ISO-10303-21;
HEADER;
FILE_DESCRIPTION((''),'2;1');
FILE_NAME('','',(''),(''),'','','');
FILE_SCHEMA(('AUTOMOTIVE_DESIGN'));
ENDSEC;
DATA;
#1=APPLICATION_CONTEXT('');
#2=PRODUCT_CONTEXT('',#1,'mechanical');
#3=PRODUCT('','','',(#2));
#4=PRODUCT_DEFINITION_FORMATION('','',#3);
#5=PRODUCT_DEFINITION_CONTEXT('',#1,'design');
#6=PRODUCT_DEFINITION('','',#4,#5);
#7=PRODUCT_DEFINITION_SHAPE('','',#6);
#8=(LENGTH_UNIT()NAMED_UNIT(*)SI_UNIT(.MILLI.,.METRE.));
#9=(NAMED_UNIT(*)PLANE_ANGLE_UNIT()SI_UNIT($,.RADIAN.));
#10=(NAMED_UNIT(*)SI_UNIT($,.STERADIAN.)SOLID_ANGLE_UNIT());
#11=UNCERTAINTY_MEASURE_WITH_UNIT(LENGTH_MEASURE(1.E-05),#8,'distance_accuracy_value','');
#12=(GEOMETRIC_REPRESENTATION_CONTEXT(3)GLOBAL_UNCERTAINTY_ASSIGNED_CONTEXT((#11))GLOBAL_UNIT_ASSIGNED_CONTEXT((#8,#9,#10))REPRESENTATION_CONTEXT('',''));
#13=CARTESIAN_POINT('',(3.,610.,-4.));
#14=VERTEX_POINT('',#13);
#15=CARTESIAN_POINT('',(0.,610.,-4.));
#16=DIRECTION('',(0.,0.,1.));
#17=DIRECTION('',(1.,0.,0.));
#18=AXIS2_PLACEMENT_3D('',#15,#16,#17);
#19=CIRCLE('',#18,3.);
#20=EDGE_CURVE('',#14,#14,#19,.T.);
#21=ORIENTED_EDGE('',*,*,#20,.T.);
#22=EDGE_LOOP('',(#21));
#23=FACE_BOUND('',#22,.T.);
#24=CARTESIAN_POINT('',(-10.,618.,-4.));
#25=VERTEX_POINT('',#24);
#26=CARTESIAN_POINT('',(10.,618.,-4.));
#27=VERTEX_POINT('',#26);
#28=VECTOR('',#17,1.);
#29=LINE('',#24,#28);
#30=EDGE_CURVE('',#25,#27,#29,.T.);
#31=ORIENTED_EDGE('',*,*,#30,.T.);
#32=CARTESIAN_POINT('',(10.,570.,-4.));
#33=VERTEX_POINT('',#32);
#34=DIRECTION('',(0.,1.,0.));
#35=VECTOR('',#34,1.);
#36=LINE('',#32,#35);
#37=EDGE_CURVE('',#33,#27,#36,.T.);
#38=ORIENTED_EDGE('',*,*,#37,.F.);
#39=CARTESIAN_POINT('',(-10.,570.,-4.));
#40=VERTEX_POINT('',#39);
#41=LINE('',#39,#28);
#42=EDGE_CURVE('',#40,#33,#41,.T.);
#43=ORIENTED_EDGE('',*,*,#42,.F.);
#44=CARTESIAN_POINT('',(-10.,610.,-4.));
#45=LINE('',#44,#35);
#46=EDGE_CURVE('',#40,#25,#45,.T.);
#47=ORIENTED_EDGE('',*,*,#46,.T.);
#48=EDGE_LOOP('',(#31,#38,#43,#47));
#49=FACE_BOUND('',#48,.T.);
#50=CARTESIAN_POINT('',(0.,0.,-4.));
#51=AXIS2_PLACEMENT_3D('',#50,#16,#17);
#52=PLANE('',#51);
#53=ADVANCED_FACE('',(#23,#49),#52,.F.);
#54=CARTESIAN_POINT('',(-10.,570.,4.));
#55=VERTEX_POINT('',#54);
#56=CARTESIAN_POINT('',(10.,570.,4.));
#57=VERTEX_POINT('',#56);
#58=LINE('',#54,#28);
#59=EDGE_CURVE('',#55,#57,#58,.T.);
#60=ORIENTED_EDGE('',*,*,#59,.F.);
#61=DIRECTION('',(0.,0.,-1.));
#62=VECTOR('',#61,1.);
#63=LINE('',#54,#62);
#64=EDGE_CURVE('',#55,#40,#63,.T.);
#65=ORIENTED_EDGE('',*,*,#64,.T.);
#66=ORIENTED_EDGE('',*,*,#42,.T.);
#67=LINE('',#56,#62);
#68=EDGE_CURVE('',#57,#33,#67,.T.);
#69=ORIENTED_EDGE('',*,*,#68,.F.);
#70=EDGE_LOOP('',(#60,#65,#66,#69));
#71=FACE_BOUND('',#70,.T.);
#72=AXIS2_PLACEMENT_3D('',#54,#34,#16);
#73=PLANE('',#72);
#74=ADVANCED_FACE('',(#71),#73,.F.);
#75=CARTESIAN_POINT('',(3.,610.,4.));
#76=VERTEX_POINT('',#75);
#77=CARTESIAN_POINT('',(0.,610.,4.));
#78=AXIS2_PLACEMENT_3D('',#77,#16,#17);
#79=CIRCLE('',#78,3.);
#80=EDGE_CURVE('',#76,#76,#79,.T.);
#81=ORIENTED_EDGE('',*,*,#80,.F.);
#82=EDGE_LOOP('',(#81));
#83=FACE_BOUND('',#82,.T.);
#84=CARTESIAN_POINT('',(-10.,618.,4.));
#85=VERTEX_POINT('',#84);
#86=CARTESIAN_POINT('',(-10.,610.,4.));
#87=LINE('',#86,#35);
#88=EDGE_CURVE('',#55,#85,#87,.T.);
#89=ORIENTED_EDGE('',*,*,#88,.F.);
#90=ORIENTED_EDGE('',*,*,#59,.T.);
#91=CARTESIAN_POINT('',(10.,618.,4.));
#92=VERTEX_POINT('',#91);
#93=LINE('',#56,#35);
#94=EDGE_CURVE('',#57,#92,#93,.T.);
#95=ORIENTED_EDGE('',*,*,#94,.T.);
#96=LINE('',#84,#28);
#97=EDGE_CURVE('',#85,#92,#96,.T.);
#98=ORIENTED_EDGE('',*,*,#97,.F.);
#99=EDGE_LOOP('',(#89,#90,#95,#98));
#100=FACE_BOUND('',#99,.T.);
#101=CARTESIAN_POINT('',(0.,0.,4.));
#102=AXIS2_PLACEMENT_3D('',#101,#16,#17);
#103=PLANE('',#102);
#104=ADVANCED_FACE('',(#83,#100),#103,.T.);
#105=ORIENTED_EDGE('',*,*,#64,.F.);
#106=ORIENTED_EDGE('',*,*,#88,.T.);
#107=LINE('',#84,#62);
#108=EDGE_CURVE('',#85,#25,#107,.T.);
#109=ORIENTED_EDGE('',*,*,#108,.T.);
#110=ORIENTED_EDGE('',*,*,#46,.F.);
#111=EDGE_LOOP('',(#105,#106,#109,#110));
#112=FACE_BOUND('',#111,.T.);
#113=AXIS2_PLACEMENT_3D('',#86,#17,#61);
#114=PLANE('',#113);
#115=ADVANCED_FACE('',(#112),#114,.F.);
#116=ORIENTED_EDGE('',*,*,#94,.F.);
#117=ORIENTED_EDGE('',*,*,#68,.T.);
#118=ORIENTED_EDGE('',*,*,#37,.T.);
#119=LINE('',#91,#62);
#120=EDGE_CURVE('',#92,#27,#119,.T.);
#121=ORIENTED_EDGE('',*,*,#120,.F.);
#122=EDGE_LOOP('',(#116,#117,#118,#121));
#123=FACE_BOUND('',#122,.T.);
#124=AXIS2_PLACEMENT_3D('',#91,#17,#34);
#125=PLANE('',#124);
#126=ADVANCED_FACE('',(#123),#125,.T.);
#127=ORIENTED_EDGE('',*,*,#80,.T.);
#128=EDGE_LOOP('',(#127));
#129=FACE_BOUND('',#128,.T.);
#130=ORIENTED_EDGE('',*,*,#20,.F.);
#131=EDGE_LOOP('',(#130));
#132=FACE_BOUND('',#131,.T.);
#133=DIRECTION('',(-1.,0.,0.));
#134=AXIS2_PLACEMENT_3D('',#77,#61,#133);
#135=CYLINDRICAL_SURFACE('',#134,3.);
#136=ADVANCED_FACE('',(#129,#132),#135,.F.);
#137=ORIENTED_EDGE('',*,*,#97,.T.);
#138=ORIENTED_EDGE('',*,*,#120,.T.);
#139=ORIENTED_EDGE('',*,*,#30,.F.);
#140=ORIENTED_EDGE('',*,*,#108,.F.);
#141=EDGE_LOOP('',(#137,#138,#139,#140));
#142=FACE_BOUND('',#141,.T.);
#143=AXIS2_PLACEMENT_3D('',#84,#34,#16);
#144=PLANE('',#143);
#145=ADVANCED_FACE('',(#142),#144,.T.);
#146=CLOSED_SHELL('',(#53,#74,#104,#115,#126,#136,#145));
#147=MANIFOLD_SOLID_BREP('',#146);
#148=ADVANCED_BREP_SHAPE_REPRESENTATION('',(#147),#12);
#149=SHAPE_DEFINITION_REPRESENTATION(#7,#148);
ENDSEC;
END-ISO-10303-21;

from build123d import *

# Parameters (mm, degrees)
SKIZZE4_R                            = 3
AUFSATZ_LINEAR_AUSTRAGEN1_DEPTH      = 4
AUFSATZ_LINEAR_AUSTRAGEN1_DEPTH_BACK = 4


with BuildPart() as part:
    # Skizze4 → Aufsatz-Linear austragen1 (new body, two sides)
    with BuildSketch(Plane.XY) as aufsatz_linear_austragen1_sk:
        Polygon((-10, 610), (-10, 570), (10, 570), (10, 610), (10, 618), (-10, 618), align=None)
        with Locations((0, 610)):
            Circle(SKIZZE4_R, mode=Mode.SUBTRACT)
    extrude(amount=AUFSATZ_LINEAR_AUSTRAGEN1_DEPTH)
    extrude(aufsatz_linear_austragen1_sk.sketch, amount=-AUFSATZ_LINEAR_AUSTRAGEN1_DEPTH_BACK)


solid = part.part
